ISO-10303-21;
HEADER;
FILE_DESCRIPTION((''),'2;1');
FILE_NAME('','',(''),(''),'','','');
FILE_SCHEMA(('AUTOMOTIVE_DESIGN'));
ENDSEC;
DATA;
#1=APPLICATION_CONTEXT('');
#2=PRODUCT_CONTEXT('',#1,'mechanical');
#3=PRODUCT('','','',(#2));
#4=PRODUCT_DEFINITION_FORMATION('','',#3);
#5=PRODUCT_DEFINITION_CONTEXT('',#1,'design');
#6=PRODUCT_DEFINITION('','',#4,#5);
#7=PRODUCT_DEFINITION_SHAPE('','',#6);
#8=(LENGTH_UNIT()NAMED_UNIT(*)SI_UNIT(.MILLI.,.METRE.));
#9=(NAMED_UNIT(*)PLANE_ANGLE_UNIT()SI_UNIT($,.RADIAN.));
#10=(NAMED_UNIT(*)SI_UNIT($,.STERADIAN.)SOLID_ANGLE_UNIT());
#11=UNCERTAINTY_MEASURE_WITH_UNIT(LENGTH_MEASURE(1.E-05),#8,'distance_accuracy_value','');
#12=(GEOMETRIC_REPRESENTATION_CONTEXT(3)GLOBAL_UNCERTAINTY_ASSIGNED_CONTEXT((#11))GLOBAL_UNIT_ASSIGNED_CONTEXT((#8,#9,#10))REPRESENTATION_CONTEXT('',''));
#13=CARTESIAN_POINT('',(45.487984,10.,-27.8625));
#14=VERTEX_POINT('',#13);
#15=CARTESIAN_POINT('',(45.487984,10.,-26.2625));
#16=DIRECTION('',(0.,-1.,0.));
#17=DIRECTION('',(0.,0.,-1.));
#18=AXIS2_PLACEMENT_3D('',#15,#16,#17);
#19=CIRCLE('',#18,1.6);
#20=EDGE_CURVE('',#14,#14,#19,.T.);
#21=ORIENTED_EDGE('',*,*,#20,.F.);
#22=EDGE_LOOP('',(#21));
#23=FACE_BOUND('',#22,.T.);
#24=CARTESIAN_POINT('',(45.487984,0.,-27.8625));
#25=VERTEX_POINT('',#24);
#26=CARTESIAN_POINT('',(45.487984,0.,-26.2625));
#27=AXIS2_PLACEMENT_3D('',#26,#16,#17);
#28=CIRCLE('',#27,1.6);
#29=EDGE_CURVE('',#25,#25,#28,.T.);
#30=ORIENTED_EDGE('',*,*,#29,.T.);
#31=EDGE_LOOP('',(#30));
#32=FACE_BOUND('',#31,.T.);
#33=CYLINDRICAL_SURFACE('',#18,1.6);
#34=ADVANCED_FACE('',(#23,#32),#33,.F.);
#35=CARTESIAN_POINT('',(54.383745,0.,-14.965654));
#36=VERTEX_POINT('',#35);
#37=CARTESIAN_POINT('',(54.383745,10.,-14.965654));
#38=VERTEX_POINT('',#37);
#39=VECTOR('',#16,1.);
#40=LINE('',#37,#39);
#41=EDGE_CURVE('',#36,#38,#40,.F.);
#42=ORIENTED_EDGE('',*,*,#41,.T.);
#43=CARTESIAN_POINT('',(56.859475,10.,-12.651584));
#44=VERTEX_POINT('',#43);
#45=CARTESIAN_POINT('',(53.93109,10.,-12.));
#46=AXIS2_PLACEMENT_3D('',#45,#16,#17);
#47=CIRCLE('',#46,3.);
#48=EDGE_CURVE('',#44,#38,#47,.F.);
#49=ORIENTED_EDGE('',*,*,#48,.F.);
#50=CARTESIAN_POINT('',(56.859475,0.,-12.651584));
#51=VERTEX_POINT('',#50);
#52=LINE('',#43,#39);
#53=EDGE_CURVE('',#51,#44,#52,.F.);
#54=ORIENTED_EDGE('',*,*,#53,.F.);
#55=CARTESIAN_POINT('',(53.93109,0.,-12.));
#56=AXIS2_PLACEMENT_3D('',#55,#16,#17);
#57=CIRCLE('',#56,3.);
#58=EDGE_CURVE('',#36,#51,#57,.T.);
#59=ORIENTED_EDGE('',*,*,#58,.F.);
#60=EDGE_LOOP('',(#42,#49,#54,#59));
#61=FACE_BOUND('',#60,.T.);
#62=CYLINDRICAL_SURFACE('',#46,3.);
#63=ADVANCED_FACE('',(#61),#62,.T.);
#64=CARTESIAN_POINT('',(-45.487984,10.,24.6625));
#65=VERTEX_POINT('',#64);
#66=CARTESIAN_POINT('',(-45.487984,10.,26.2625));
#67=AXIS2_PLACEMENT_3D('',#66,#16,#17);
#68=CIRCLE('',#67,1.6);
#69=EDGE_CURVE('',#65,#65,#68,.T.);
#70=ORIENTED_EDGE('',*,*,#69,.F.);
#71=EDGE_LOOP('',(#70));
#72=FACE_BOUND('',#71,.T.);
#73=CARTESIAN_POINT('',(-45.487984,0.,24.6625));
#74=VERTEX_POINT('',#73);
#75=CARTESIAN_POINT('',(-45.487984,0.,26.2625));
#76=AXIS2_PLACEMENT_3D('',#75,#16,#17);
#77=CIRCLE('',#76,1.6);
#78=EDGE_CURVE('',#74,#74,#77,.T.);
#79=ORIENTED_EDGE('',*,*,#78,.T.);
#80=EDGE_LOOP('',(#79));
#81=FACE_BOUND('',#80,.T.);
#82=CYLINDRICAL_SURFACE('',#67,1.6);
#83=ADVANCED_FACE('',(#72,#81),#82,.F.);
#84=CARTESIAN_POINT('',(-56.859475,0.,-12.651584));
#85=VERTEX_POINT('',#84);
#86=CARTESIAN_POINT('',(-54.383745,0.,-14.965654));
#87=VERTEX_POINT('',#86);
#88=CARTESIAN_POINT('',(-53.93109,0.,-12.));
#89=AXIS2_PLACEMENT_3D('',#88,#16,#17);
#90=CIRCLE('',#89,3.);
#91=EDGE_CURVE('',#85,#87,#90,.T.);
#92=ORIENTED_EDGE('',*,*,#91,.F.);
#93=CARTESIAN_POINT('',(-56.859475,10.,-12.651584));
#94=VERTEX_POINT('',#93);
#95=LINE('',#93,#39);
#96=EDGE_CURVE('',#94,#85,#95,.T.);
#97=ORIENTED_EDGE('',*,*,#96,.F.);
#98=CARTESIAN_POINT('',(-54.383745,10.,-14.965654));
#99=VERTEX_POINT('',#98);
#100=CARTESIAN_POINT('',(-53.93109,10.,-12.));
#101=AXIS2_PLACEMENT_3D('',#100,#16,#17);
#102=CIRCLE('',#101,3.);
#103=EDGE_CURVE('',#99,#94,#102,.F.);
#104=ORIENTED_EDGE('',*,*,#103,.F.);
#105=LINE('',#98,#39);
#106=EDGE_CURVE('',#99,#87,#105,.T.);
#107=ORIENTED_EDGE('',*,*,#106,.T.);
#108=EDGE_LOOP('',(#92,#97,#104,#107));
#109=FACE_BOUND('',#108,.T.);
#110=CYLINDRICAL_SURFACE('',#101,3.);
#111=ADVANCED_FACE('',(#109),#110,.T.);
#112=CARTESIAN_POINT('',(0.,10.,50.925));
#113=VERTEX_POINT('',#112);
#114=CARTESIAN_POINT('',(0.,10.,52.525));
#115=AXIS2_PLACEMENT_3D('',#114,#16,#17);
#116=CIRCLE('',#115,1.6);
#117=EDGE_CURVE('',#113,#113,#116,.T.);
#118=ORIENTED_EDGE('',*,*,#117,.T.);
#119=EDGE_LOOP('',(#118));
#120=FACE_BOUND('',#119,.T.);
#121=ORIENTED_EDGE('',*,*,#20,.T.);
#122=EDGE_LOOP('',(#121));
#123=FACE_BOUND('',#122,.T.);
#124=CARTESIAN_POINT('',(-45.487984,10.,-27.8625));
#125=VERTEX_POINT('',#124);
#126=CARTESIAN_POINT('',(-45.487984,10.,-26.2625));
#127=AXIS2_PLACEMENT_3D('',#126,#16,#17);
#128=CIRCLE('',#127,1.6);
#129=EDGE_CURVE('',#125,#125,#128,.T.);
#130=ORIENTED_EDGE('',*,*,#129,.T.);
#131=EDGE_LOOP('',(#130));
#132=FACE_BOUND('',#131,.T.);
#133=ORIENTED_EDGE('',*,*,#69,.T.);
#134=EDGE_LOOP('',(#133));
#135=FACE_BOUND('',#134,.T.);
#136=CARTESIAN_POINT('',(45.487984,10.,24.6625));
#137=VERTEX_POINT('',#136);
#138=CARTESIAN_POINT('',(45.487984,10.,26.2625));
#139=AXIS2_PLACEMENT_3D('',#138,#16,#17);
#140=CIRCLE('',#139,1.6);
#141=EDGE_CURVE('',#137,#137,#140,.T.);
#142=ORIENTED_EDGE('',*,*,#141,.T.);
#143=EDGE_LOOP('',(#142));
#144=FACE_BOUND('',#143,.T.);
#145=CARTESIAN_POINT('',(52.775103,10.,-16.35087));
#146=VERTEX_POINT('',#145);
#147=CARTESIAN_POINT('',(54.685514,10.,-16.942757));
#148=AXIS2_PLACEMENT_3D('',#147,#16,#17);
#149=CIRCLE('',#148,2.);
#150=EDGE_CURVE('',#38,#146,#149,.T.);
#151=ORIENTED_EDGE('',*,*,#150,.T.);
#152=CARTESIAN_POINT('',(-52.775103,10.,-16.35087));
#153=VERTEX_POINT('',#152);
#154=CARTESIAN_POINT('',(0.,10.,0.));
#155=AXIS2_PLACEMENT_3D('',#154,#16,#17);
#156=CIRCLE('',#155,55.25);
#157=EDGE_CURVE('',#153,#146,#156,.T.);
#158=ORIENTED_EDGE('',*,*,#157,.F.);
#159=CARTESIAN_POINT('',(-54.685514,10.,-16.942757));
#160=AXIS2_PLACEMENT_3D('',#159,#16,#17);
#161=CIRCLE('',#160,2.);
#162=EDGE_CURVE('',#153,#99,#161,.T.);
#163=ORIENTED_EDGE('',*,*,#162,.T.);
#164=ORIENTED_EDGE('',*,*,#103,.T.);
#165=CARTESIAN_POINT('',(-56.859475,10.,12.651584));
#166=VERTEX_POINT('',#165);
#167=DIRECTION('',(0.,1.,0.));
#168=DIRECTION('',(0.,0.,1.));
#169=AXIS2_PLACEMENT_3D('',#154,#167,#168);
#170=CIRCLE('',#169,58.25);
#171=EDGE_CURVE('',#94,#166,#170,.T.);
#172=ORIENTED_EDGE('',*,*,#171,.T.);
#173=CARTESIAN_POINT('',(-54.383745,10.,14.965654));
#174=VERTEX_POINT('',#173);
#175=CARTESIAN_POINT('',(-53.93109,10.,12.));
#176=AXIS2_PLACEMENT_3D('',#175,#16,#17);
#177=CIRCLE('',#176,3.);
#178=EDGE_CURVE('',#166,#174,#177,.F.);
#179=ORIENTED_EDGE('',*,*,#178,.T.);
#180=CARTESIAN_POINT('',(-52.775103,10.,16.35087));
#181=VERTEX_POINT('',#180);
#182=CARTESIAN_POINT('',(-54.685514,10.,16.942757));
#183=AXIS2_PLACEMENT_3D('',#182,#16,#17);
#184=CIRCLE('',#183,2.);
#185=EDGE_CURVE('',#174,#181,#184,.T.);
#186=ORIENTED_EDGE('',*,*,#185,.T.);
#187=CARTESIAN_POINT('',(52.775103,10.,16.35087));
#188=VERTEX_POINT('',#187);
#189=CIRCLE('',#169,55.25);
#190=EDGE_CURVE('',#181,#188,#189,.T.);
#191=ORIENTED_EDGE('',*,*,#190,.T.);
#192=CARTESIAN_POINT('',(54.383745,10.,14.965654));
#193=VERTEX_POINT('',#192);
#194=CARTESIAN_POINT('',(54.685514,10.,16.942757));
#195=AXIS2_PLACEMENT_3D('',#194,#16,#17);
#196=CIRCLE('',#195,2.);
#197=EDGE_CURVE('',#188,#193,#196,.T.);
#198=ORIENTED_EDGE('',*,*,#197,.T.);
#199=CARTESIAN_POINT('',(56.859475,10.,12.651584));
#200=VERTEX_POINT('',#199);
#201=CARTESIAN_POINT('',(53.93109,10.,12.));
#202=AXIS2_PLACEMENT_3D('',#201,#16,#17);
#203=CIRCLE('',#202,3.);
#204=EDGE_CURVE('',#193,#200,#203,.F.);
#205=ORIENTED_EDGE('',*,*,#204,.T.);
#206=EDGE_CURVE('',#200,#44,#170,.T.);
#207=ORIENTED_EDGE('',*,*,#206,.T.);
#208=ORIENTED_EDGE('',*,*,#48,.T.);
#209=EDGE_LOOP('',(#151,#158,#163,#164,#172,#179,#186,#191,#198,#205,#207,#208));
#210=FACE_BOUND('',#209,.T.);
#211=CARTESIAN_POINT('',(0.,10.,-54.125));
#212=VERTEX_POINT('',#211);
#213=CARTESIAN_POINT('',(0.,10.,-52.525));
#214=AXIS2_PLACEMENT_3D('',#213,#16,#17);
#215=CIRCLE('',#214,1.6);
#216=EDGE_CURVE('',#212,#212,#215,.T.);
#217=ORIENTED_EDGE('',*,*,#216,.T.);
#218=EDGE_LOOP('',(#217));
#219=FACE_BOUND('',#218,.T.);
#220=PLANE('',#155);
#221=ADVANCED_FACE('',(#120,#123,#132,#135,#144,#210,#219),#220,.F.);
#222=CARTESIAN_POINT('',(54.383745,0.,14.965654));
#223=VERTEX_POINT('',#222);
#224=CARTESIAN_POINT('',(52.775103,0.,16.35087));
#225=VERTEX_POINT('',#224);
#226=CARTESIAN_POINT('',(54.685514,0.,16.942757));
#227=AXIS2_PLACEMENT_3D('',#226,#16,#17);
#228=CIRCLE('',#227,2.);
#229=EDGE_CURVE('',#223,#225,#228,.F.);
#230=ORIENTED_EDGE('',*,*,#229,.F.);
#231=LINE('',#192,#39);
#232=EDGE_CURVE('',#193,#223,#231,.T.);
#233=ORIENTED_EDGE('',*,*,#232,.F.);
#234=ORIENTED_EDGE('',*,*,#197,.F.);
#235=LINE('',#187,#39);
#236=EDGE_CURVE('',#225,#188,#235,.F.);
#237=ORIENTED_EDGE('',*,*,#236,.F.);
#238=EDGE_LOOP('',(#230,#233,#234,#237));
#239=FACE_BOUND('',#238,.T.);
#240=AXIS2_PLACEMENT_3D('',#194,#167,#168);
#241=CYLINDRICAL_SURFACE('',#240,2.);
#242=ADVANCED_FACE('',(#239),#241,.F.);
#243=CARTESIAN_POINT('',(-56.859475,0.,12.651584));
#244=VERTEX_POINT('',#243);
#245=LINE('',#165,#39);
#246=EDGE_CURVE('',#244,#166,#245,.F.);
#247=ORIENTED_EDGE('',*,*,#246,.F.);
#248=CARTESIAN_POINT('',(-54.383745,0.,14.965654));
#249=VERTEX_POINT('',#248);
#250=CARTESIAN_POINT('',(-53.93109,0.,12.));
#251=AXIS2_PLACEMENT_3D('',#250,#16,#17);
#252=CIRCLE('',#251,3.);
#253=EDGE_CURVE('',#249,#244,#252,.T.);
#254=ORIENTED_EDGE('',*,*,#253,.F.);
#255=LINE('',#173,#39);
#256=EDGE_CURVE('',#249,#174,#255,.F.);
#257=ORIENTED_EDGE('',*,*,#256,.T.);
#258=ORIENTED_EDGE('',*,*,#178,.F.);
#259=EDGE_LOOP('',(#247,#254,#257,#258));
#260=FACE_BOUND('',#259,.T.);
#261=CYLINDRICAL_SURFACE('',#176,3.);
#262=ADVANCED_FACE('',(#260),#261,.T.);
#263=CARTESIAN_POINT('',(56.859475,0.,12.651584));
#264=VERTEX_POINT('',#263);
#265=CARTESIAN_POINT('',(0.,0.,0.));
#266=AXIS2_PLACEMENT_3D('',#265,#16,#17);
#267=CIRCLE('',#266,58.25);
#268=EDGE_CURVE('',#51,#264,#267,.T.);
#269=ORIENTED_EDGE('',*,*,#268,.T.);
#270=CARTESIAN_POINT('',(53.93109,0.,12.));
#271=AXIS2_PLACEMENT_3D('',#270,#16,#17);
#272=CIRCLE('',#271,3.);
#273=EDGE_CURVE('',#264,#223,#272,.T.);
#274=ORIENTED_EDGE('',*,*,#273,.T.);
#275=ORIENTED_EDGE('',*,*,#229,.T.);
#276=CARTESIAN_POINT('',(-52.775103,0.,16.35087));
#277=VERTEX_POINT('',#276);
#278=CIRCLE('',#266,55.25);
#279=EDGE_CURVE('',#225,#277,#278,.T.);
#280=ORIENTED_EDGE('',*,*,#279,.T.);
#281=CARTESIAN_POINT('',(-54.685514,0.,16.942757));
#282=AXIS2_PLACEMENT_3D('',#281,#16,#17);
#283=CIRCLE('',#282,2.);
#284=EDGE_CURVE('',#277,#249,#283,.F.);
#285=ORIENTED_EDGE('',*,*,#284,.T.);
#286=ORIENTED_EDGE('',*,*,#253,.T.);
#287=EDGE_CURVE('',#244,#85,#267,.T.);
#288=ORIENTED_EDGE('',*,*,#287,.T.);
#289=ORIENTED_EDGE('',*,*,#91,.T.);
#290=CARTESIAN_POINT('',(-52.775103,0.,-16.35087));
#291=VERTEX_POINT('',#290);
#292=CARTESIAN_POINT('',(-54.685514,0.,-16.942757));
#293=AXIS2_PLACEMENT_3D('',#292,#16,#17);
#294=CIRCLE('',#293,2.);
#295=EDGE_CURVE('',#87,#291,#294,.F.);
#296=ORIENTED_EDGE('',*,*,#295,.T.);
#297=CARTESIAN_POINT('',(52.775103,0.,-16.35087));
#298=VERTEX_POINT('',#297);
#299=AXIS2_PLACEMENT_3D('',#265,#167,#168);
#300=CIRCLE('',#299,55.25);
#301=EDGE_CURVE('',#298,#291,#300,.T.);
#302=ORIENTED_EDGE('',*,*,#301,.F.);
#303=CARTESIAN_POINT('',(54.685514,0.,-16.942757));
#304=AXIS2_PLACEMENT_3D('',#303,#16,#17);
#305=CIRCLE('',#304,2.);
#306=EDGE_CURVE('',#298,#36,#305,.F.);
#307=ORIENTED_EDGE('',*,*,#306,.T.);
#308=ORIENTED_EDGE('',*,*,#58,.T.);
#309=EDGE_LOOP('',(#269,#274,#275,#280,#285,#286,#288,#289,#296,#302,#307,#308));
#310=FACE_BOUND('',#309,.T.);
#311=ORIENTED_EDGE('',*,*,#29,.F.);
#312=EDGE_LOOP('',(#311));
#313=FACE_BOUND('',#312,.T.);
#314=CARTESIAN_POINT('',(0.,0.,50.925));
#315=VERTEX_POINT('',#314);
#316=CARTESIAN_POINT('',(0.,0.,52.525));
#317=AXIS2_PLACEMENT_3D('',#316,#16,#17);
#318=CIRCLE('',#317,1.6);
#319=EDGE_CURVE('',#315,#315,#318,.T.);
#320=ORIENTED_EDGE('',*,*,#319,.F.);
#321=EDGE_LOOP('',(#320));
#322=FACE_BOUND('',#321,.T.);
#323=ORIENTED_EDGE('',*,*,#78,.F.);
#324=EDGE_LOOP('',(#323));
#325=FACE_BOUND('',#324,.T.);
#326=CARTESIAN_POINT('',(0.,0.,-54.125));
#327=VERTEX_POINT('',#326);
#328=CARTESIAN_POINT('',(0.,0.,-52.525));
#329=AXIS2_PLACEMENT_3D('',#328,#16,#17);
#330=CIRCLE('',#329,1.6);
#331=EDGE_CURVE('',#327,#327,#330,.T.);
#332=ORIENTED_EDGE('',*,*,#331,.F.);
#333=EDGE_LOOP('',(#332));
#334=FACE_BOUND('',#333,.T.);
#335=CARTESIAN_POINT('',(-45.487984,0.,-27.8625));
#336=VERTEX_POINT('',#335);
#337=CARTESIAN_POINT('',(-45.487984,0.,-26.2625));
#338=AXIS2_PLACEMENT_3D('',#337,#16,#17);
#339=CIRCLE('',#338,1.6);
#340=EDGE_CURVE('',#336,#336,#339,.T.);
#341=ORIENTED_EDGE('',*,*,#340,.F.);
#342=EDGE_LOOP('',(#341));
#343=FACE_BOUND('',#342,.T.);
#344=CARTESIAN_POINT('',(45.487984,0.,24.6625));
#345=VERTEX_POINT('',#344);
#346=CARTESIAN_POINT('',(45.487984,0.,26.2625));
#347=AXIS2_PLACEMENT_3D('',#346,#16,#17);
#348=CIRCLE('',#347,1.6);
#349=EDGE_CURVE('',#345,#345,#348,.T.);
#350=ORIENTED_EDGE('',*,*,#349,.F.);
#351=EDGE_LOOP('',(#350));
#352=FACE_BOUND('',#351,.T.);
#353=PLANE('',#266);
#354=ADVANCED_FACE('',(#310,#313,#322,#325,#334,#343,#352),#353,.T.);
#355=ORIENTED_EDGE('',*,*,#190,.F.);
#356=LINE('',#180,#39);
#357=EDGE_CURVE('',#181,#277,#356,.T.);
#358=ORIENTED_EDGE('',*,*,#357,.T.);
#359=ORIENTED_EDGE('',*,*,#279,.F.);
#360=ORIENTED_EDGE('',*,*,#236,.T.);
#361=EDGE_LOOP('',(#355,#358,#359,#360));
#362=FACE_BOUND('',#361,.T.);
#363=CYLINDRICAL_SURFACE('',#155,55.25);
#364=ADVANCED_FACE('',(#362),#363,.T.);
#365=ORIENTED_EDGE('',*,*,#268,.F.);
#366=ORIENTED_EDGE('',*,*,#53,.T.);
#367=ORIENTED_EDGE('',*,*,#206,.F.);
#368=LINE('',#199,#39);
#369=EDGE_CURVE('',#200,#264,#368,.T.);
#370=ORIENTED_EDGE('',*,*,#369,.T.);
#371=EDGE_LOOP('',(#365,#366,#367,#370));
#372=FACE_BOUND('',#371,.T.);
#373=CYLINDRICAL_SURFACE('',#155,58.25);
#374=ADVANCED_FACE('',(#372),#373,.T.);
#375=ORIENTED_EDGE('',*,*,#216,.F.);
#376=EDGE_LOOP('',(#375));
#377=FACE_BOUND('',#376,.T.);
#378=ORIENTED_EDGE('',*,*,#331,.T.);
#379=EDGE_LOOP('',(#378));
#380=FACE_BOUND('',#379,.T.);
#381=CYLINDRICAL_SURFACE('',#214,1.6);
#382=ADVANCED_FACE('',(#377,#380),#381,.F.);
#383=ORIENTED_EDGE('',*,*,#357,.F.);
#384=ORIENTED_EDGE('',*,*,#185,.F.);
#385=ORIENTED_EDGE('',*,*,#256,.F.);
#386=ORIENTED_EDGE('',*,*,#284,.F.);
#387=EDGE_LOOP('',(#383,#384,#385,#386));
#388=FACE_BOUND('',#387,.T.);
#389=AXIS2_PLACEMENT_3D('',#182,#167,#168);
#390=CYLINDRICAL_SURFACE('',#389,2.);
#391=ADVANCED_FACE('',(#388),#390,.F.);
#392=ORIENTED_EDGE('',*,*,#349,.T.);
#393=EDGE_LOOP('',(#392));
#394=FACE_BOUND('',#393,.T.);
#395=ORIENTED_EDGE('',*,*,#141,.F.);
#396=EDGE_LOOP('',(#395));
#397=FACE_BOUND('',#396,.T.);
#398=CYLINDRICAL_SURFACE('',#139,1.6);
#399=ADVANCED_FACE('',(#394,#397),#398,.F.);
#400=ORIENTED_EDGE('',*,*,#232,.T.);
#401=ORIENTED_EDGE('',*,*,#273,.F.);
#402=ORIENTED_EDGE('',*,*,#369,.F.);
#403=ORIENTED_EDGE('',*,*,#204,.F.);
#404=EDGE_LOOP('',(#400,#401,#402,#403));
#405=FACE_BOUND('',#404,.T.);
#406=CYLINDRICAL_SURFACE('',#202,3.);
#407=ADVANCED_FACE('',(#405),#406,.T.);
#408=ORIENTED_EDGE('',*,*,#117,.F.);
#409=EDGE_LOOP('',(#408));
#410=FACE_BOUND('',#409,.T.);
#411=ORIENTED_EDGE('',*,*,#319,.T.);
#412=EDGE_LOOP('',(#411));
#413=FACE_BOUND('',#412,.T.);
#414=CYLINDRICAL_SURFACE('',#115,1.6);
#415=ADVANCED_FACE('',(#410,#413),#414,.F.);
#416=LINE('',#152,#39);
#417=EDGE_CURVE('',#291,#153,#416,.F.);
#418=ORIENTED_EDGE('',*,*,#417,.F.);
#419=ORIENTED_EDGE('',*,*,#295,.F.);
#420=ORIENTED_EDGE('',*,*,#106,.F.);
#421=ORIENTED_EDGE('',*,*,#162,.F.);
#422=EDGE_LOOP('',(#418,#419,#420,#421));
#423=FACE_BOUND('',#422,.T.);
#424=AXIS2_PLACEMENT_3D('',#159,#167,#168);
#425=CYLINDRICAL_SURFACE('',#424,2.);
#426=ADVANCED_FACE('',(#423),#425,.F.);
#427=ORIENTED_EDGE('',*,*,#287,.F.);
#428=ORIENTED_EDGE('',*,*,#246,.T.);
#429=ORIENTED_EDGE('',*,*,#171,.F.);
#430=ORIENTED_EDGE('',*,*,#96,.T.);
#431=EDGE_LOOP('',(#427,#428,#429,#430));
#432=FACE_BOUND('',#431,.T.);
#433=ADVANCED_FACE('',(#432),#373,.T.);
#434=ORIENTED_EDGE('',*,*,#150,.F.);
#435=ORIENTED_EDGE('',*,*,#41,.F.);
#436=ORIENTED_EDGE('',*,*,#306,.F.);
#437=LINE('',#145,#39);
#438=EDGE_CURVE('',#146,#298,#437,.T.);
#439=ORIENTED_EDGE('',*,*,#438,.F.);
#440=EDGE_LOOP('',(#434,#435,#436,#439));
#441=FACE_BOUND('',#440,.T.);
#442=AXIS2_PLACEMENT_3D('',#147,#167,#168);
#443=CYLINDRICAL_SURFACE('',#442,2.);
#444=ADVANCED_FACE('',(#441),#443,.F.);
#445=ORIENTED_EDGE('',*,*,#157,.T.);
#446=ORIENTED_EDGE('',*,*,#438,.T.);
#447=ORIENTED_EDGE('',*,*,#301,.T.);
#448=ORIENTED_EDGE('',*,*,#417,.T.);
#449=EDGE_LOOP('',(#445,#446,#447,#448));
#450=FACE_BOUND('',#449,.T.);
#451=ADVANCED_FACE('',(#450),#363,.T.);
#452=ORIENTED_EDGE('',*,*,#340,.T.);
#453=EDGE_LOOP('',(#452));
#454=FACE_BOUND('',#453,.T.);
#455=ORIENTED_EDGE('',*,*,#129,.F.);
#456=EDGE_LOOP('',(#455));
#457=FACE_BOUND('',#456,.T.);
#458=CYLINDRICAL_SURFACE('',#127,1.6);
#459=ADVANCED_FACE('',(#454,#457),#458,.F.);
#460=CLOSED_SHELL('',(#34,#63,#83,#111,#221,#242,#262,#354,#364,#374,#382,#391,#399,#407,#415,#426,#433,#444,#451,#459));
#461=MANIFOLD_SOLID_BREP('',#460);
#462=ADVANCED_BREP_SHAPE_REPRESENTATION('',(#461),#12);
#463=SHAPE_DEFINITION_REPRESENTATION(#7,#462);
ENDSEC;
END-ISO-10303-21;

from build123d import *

# Parameters (mm, degrees)
EXTRUDE_1_DEPTH     = 10
FILLET_2_R          = 3
FILLET_3_R          = 2
SKETCH_2_R          = 1.6
CUT_EXTRUDE_1_DEPTH = 11.0000001


with BuildPart() as part:
    # 草图1 → 凸台-拉伸1 (new body)
    with BuildSketch(Plane(origin=(0, 0, 0), x_dir=(1, 0, 0), z_dir=(0, 1, 0))):
        with BuildLine():
            Line((-53.174829572, -15), (-56.285544325, -15))
            ThreePointArc((-56.285544325, -15), (-57.756798115, -7.564044654), (-58.25, 0))
            ThreePointArc((-58.25, 0), (-57.756798115, 7.564044654), (-56.285544325, 15))
            add(Edge.make_bspline(
                [(-56.285544325, 15), (-53.174829572, 15)],
                knots=[0, 0, 1, 1], degree=1))
            ThreePointArc((-53.174829572, 15), (-33.345258284, 44.052880156), (0, 55.25))
            ThreePointArc((0, 55.25), (33.345258284, 44.052880156), (53.174829572, 15))
            Line((53.174829572, 15), (56.285544325, 15))
            ThreePointArc((56.285544325, 15), (57.756798115, 7.564044654), (58.25, 0))
            ThreePointArc((58.25, 0), (57.756798115, -7.564044654), (56.285544325, -15))
            Line((56.285544325, -15), (53.174829572, -15))
            ThreePointArc((53.174829572, -15), (33.345258284, -44.052880156), (0, -55.25))
            ThreePointArc((0, -55.25), (-33.345258284, -44.052880156), (-53.174829572, -15))
        make_face()
    extrude(amount=EXTRUDE_1_DEPTH)

    # 圆角2
    fillet_2_edges = [part.edges().sort_by_distance(p)[0] for p in [
        (-56.285544325, 5, -15),
        (56.285544325, 5, -15),
        (56.285544325, 5, 15),
        (-56.285544325, 5, 15),
    ]]
    fillet(fillet_2_edges, radius=FILLET_2_R)

    # 圆角3
    fillet_3_edges = [part.edges().sort_by_distance(p)[0] for p in [
        (-53.174829572, 5, -15),
        (53.174829572, 5, -15),
        (53.174829572, 5, 15),
        (-53.174829572, 5, 15),
    ]]
    fillet(fillet_3_edges, radius=FILLET_3_R)

    # 草图2 → 切除-拉伸1 (cut, through all)
    with BuildSketch(Plane.XZ):
        with Locations((0, 52.525)):
            Circle(SKETCH_2_R)
        with Locations((45.487984334, 26.2625)):
            Circle(SKETCH_2_R)
        with Locations((45.487984334, -26.2625)):
            Circle(SKETCH_2_R)
        with Locations((0, -52.525)):
            Circle(SKETCH_2_R)
        with Locations((-45.487984334, -26.2625)):
            Circle(SKETCH_2_R)
        with Locations((-45.487984334, 26.2625)):
            Circle(SKETCH_2_R)
    extrude(amount=-CUT_EXTRUDE_1_DEPTH, mode=Mode.SUBTRACT)


solid = part.part
